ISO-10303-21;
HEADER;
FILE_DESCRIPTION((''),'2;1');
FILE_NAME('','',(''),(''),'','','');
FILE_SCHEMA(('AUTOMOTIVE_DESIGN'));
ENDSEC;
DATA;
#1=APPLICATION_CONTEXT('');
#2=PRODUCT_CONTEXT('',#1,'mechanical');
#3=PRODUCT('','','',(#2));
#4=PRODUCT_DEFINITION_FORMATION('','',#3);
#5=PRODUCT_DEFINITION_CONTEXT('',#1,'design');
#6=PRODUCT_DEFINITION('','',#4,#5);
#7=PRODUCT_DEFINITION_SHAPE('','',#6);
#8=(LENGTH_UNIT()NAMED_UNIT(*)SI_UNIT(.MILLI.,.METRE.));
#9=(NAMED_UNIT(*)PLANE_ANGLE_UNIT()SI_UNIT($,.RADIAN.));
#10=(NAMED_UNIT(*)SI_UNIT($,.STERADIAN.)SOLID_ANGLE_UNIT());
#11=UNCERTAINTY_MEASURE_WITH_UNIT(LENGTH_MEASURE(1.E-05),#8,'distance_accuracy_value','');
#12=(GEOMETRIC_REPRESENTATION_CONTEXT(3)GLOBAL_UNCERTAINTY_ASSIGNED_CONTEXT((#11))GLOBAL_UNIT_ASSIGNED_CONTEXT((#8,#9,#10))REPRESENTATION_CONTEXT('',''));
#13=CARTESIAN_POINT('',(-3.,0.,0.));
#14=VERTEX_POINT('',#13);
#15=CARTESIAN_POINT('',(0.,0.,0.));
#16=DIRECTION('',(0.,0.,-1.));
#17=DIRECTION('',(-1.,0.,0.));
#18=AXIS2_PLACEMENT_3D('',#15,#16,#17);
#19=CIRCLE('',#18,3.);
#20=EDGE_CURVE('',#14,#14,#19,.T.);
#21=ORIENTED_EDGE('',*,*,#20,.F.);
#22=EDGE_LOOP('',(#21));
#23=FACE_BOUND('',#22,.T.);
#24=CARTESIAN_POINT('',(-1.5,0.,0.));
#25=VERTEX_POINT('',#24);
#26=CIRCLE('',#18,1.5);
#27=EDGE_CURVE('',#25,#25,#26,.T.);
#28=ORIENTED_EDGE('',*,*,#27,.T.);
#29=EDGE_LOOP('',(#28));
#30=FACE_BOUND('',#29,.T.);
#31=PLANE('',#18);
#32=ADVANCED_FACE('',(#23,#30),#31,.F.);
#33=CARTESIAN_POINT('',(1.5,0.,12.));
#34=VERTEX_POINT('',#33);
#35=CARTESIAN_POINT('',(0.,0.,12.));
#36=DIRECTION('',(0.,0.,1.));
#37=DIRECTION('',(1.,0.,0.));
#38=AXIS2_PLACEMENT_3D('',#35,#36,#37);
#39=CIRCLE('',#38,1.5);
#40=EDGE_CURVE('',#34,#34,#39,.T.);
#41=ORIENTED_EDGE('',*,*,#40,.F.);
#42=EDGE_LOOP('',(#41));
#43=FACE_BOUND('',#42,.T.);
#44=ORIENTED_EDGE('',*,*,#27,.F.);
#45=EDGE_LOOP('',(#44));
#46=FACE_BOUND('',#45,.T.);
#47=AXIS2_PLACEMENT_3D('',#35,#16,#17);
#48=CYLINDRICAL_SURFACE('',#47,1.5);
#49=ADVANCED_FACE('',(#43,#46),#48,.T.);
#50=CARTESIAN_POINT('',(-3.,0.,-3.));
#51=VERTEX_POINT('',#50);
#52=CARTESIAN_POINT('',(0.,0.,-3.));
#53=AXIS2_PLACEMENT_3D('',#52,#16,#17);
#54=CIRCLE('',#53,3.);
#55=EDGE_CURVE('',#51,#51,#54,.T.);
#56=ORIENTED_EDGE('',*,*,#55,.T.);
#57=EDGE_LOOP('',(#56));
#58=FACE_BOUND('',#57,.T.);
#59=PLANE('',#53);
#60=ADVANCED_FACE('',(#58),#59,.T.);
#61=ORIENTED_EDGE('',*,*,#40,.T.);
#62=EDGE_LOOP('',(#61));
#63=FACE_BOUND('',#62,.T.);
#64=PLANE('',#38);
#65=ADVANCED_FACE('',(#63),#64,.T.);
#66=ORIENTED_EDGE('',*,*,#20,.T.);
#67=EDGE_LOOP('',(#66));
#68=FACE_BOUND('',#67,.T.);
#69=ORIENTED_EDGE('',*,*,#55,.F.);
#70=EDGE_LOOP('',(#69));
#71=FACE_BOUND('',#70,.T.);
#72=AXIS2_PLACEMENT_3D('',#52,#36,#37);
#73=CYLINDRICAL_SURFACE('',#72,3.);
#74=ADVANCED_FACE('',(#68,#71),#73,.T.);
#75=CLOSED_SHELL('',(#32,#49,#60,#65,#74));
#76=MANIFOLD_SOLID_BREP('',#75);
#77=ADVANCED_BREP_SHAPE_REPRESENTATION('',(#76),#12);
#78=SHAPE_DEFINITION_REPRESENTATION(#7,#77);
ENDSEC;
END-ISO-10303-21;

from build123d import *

# Parameters (mm, degrees)
SKETCH_1_R      = 1.5
EXTRUDE_1_DEPTH = 12
SKETCH_3_R      = 3
EXTRUDE_2_DEPTH = 3


with BuildPart() as part:
    # 草图1 → 凸台-拉伸1 (new body)
    with BuildSketch(Plane.XY):
        Circle(SKETCH_1_R)
    extrude(amount=EXTRUDE_1_DEPTH)

    # 草图3 → 凸台-拉伸2 (add)
    with BuildSketch(Plane(origin=(0, 0, 0), x_dir=(-1, 0, 0), z_dir=(0, 0, -1))):
        Circle(SKETCH_3_R)
    extrude(amount=EXTRUDE_2_DEPTH)


solid = part.part
